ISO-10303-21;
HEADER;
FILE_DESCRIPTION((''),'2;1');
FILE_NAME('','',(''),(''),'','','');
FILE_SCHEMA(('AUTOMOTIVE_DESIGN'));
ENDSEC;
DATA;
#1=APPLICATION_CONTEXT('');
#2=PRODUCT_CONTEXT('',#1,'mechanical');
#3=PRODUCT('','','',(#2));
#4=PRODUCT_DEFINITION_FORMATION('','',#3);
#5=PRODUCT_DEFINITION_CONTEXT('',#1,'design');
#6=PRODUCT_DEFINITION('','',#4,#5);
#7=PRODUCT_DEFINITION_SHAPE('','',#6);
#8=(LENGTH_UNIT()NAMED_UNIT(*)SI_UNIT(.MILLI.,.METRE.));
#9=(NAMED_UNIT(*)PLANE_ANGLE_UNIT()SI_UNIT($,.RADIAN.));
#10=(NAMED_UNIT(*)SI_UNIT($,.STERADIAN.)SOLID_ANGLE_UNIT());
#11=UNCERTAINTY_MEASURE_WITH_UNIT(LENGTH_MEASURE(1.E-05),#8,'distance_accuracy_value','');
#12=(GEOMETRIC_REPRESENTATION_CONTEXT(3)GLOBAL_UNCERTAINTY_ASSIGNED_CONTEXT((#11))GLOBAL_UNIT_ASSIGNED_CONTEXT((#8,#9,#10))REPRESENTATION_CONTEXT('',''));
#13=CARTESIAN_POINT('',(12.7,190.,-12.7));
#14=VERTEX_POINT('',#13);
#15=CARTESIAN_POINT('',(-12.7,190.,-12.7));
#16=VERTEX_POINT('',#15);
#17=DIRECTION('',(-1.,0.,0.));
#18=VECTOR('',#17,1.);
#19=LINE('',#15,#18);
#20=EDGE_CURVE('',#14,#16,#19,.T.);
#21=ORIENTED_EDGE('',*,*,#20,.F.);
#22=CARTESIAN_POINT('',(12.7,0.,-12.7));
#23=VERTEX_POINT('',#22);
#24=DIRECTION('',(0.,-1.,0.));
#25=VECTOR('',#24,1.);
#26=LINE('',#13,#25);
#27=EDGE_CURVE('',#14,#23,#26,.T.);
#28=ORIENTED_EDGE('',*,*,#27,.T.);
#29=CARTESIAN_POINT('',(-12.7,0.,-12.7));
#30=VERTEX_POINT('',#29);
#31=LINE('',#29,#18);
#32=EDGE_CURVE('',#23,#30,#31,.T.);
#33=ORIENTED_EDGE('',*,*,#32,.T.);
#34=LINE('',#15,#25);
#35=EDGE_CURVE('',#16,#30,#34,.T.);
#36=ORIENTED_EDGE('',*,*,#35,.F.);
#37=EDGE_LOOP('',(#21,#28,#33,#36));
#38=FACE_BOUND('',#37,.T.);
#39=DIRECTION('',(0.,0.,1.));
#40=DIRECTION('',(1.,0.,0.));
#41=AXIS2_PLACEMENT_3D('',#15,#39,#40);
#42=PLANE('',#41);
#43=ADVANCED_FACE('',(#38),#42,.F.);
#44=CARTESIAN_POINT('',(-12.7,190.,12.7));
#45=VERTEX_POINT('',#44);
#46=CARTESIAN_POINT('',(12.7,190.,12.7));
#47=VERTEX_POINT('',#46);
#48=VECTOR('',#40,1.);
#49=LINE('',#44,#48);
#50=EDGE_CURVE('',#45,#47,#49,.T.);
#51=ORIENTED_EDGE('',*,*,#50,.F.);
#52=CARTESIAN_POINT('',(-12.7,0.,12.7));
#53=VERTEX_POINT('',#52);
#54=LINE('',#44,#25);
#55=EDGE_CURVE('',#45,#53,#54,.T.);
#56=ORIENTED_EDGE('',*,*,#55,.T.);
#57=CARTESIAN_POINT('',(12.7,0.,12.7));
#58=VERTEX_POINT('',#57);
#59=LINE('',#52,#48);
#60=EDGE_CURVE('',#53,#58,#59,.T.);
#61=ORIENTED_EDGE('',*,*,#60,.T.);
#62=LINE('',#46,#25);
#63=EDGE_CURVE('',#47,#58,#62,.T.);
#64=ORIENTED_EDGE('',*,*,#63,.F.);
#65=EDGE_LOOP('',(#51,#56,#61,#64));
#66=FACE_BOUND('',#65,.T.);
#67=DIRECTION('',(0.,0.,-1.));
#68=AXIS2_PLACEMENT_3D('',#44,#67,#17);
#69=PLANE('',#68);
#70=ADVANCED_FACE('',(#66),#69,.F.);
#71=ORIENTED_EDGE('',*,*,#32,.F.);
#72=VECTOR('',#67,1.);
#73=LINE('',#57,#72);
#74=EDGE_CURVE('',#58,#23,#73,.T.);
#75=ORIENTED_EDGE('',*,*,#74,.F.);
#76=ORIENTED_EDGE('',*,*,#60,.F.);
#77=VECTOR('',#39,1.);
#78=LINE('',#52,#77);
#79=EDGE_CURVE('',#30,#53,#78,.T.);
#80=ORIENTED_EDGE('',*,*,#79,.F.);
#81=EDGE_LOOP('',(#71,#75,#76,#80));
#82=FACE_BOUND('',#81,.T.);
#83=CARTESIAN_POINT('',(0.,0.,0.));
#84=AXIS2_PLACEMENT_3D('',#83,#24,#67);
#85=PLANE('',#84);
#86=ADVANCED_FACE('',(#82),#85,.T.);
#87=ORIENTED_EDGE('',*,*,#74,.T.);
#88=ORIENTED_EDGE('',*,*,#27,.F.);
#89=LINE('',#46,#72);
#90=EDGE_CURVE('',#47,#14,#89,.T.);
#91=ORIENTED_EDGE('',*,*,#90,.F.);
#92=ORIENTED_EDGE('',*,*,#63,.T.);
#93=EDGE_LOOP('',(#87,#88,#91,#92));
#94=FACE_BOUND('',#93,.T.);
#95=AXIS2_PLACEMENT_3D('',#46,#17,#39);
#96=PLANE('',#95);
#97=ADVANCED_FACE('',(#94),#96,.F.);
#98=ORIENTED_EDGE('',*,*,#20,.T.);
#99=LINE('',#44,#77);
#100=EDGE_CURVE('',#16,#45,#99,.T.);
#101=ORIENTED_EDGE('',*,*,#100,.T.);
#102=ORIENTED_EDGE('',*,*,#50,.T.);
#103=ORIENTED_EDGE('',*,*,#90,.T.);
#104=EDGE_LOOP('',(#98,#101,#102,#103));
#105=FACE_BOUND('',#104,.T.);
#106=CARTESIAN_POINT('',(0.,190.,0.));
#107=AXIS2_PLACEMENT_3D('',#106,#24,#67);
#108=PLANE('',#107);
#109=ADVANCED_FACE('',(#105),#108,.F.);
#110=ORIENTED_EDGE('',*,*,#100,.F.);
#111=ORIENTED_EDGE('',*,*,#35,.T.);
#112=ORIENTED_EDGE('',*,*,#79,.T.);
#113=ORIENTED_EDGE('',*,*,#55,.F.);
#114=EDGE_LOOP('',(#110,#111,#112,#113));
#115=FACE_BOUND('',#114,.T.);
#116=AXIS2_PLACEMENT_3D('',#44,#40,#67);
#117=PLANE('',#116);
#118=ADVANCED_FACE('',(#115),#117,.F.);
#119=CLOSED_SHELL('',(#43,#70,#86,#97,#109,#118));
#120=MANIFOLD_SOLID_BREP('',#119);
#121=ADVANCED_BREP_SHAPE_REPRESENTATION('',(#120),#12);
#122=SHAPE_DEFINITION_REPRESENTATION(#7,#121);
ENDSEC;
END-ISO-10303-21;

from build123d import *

# Parameters (mm, degrees)
SKETCH1_W           = 25.4
SKETCH1_H           = 25.4
BOSS_EXTRUDE1_DEPTH = 190


with BuildPart() as part:
    # Sketch1 → Boss-Extrude1 (new body)
    with BuildSketch(Plane(origin=(0, 0, 0), x_dir=(1, 0, 0), z_dir=(0, 1, 0))):
        Rectangle(SKETCH1_W, SKETCH1_H)
    extrude(amount=BOSS_EXTRUDE1_DEPTH)


solid = part.part
